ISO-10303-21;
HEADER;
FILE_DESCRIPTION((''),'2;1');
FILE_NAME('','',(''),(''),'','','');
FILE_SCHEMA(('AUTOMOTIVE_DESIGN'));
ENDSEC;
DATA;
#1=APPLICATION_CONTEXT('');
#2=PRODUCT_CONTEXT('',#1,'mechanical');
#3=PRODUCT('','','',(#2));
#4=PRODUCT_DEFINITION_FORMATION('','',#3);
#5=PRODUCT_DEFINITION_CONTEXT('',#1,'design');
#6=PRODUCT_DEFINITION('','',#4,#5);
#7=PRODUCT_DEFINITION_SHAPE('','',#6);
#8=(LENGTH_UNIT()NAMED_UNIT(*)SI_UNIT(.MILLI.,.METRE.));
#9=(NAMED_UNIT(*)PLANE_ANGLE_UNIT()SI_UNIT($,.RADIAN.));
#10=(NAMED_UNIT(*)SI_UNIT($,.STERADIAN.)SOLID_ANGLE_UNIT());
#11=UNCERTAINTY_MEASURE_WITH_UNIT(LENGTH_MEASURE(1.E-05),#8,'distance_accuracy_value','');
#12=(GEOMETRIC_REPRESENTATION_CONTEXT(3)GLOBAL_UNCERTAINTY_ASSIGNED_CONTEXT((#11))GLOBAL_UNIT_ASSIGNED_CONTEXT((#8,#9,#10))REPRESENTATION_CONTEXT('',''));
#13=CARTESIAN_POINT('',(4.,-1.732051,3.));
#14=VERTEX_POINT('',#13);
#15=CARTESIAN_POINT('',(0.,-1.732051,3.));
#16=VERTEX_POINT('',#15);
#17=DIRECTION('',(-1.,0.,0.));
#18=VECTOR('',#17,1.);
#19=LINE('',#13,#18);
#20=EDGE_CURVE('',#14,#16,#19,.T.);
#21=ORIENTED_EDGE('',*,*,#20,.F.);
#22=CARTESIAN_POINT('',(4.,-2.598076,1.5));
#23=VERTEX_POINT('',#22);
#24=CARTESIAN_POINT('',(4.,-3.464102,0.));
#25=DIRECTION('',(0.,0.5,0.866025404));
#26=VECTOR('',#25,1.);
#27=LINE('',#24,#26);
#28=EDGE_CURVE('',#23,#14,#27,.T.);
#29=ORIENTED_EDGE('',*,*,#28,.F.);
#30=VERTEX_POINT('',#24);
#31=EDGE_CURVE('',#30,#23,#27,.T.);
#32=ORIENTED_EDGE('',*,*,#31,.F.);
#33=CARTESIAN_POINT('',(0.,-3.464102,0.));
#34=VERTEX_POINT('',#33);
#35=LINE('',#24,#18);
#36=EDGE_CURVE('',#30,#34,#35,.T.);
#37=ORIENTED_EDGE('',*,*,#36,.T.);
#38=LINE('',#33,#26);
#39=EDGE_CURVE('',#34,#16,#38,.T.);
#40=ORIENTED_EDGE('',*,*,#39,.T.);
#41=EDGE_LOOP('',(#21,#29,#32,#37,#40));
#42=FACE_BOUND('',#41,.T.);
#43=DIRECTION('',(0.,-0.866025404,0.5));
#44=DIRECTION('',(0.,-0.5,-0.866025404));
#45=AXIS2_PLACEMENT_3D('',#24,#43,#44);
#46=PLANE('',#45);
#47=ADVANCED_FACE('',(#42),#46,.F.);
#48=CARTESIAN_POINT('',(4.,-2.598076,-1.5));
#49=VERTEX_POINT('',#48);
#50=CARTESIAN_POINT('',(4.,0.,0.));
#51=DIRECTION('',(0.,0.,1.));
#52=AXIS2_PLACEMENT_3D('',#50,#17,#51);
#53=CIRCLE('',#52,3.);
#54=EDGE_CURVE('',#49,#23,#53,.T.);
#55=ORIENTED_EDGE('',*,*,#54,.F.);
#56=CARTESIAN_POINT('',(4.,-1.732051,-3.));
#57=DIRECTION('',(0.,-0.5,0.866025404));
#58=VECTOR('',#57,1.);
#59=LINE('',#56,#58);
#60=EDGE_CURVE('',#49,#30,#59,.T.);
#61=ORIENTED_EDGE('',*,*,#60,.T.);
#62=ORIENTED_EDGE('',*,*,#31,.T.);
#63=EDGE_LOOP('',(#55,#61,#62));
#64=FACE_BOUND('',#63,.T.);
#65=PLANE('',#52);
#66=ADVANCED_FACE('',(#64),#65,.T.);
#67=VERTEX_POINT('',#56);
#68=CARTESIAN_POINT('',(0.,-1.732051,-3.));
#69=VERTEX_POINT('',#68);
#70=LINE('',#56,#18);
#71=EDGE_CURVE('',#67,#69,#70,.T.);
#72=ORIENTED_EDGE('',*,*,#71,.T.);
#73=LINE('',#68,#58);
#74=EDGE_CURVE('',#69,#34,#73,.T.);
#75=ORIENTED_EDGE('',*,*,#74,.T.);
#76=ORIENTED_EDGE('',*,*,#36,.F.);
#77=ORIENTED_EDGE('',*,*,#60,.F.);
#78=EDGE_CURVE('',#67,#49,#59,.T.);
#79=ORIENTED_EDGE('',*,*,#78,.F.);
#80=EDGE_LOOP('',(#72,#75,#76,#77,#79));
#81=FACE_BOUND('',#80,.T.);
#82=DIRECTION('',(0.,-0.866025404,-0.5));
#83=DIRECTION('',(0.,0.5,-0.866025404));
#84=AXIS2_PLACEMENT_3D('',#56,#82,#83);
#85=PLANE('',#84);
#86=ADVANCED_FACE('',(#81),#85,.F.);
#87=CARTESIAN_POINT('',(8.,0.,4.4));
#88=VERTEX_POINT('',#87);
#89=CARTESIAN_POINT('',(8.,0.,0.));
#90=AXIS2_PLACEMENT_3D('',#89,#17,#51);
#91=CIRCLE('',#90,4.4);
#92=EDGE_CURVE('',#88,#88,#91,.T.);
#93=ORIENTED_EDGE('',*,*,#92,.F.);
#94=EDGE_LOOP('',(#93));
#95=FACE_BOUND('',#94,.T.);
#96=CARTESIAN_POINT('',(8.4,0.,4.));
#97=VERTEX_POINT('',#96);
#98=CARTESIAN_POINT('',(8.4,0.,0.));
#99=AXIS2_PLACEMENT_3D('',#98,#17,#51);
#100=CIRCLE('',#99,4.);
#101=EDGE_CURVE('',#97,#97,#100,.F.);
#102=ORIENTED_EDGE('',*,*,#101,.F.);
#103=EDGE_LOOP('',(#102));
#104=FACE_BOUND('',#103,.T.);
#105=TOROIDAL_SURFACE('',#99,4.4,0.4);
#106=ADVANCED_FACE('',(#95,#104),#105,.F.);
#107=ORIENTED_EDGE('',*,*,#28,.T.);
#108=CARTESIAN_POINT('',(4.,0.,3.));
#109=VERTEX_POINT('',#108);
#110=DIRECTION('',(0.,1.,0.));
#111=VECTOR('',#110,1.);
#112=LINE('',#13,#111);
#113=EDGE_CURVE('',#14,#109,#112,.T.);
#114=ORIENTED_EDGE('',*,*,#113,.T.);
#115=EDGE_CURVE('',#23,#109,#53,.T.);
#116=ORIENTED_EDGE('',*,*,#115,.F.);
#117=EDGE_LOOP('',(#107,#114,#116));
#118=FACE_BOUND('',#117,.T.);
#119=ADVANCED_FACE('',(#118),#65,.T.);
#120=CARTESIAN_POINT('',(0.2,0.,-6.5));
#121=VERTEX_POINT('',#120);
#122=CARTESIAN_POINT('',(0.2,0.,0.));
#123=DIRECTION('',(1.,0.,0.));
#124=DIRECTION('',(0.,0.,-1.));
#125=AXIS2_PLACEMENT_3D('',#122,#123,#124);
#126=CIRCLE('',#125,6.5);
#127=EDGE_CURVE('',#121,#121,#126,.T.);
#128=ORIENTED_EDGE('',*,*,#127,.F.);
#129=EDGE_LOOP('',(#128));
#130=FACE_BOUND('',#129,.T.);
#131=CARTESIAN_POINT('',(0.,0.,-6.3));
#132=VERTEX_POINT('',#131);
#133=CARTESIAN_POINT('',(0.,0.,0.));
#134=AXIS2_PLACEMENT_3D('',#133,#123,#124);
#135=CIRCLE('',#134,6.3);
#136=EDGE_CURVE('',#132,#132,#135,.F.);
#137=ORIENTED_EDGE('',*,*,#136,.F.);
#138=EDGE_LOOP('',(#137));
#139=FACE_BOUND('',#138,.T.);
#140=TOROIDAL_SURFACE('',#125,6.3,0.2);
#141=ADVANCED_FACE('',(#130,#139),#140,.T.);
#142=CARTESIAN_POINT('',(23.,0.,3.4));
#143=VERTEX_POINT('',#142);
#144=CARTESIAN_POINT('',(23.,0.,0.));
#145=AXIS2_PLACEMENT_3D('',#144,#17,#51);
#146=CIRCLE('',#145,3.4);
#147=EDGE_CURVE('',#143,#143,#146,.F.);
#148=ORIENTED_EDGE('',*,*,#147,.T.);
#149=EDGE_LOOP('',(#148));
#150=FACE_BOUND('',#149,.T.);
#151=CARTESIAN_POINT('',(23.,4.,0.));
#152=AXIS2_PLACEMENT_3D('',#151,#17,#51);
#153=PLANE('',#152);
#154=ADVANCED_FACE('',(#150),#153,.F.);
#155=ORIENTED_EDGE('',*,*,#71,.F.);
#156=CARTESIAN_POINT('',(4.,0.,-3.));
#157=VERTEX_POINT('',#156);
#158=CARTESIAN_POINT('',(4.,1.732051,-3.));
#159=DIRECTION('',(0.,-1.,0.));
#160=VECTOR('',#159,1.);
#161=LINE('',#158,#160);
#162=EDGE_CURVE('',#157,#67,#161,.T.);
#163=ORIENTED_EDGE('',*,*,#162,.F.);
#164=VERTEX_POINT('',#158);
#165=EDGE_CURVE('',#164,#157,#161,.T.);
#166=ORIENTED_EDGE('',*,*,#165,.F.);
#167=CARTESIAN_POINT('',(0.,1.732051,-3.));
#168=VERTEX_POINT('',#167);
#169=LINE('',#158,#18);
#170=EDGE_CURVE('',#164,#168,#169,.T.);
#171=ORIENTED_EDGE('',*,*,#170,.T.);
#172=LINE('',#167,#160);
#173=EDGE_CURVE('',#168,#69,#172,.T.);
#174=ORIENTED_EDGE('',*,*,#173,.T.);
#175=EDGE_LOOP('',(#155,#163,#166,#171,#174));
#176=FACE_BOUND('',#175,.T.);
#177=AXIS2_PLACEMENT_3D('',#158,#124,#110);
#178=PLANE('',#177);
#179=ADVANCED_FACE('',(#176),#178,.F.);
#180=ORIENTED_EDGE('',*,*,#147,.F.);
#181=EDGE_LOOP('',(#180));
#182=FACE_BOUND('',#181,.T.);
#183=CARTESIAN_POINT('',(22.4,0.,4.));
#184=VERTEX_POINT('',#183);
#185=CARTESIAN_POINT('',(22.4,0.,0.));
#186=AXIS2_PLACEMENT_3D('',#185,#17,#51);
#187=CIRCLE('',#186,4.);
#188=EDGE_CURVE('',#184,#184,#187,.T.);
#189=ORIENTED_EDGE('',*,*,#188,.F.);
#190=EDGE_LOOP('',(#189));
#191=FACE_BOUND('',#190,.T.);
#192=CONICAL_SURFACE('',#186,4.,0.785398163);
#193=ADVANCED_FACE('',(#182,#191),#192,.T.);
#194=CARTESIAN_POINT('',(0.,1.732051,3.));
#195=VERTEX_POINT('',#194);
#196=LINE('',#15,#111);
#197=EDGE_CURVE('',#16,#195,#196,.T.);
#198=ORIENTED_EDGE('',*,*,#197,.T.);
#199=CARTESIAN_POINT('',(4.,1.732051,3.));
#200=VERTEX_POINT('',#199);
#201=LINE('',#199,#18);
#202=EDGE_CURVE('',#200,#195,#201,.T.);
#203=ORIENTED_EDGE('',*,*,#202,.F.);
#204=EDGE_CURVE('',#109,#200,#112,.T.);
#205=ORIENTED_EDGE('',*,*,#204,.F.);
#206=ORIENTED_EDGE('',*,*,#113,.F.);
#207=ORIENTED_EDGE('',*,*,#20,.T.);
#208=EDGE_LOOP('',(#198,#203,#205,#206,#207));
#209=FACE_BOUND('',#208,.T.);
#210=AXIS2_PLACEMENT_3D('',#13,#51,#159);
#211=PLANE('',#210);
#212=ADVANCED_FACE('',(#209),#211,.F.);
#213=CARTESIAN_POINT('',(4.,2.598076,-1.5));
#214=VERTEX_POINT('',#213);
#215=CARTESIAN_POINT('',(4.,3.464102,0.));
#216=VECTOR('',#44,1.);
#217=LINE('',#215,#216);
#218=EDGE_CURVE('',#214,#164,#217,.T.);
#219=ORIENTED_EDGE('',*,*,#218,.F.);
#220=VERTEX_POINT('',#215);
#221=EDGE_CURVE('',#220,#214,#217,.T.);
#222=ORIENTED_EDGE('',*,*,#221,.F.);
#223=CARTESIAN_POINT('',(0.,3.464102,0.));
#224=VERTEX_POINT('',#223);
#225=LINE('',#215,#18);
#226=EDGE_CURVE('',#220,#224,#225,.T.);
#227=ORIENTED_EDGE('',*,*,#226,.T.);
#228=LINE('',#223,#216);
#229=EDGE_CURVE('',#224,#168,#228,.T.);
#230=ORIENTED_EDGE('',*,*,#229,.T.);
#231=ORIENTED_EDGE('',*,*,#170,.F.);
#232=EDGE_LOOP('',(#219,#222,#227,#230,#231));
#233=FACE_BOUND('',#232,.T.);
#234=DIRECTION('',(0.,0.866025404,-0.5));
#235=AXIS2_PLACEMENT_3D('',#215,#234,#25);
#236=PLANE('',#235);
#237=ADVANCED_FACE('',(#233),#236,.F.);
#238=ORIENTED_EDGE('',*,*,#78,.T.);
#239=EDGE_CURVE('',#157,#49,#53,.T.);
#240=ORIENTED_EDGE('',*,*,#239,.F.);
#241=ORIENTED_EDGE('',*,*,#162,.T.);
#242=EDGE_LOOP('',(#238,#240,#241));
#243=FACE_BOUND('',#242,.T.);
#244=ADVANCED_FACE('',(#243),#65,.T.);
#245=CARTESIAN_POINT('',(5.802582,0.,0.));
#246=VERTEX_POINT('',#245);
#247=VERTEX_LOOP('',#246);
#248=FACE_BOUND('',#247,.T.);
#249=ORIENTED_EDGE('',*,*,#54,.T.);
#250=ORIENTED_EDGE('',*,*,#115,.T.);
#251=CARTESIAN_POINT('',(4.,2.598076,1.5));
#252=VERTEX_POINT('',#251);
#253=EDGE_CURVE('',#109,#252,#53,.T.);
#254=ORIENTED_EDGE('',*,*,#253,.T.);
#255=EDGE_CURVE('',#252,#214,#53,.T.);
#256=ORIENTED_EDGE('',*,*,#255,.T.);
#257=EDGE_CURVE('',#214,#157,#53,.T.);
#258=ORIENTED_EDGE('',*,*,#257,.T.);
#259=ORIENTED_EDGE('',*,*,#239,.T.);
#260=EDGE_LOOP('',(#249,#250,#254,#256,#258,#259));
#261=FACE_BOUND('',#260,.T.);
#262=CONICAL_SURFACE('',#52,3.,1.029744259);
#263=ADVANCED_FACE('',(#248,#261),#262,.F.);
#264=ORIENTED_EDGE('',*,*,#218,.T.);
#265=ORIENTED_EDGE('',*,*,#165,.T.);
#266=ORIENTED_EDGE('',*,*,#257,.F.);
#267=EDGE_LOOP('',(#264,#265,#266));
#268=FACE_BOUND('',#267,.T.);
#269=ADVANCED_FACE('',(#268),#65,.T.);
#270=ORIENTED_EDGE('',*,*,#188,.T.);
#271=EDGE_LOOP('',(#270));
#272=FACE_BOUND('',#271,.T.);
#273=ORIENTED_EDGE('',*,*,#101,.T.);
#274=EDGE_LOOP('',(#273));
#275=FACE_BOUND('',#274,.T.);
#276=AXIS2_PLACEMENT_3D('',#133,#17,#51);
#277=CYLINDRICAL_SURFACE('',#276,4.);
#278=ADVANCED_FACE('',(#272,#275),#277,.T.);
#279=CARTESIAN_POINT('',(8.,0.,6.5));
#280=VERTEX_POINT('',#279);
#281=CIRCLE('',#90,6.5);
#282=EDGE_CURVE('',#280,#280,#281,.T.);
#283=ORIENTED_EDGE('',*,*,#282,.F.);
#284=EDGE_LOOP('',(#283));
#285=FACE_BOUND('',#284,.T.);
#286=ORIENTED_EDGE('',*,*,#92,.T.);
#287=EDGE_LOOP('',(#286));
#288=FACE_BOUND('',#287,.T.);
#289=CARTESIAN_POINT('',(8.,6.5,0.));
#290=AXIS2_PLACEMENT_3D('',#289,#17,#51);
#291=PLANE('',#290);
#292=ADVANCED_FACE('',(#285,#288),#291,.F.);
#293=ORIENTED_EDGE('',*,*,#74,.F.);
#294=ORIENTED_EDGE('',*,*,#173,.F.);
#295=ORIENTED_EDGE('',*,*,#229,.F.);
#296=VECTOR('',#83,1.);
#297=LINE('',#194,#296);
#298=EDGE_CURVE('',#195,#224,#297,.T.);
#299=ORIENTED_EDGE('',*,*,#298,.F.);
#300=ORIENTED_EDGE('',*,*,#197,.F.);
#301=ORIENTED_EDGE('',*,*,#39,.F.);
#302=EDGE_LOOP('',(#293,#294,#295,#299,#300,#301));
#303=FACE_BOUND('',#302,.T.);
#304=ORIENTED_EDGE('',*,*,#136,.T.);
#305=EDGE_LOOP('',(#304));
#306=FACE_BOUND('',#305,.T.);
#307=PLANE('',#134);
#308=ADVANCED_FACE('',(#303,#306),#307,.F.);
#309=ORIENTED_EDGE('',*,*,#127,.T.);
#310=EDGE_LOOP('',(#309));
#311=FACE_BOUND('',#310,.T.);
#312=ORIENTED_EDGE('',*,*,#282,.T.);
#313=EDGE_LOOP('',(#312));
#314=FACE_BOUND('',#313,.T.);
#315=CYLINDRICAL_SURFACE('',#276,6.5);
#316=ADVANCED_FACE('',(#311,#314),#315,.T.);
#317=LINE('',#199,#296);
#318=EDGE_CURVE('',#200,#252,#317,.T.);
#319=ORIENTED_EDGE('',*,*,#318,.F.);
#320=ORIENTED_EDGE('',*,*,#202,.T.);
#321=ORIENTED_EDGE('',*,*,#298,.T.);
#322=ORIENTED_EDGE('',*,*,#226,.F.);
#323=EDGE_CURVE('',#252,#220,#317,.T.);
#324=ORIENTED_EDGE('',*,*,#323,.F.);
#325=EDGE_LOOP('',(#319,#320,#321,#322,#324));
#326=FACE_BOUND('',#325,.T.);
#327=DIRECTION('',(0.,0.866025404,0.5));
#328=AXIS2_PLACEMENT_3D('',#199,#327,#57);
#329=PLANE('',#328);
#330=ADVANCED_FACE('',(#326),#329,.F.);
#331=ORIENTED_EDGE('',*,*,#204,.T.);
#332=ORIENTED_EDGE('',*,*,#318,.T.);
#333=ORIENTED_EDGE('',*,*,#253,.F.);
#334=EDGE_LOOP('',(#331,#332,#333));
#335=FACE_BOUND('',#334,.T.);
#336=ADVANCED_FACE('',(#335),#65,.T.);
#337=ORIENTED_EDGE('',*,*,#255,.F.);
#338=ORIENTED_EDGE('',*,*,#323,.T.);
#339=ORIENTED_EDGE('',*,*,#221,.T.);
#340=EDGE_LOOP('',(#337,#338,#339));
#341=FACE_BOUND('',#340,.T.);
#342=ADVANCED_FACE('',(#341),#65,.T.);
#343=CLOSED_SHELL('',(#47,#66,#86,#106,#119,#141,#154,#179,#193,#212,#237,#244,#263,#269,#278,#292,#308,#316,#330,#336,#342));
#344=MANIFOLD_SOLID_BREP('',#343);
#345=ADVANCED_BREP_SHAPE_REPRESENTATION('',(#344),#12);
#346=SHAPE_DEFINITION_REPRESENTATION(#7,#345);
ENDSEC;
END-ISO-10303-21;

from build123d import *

# Parameters (mm, degrees)
MM_1_D              = 6
MM_1_DEPTH          = 4
MM_1_TIP            = 1.802581857
CUT_EXTRUDE_1_DEPTH = 4
FILLET_1_R          = 0.2
CHAMFER_1_SIZE      = 0.6
FILLET_2_R          = 0.4


with BuildPart() as part:
    # 草图1 → 旋转1 (revolve)
    with BuildSketch(Plane.XY):
        Polygon((0, 0), (0, 6.5), (8, 6.5), (8, 4), (23, 4), (23, 0), align=None)
    revolve(axis=Axis((0, 0, 0), (1, 0, 0)))

    # 大小mm 暗销孔1
    with Locations(Plane.ZY):
        with Locations((0, 0)):
            Hole(MM_1_D / 2, depth=MM_1_DEPTH)
            with Locations((0, 0, -(MM_1_DEPTH + MM_1_TIP / 2))):  # 118° drill point
                Cone(0, MM_1_D / 2, MM_1_TIP, mode=Mode.SUBTRACT)

    # 草图4 → 切除-拉伸1 (cut)
    with BuildSketch(Plane.ZY):
        Polygon((3, 1.732050808), (0, 3.464101615), (-3, 1.732050808), (-3, -1.732050808), (0, -3.464101615), (3, -1.732050808), align=None)
    extrude(amount=-CUT_EXTRUDE_1_DEPTH, mode=Mode.SUBTRACT)

    # 圆角1
    fillet_1_edges = [part.edges().sort_by_distance(p)[0] for p in [
        (0, -6.5, 0),
    ]]
    fillet(fillet_1_edges, radius=FILLET_1_R)

    # 倒角1
    chamfer_1_edges = [part.edges().sort_by_distance(p)[0] for p in [
        (23, -4, 0),
    ]]
    chamfer(chamfer_1_edges, length=CHAMFER_1_SIZE)

    # 圆角2
    fillet_2_edges = [part.edges().sort_by_distance(p)[0] for p in [
        (8, -4, 0),
    ]]
    fillet(fillet_2_edges, radius=FILLET_2_R)


solid = part.part
